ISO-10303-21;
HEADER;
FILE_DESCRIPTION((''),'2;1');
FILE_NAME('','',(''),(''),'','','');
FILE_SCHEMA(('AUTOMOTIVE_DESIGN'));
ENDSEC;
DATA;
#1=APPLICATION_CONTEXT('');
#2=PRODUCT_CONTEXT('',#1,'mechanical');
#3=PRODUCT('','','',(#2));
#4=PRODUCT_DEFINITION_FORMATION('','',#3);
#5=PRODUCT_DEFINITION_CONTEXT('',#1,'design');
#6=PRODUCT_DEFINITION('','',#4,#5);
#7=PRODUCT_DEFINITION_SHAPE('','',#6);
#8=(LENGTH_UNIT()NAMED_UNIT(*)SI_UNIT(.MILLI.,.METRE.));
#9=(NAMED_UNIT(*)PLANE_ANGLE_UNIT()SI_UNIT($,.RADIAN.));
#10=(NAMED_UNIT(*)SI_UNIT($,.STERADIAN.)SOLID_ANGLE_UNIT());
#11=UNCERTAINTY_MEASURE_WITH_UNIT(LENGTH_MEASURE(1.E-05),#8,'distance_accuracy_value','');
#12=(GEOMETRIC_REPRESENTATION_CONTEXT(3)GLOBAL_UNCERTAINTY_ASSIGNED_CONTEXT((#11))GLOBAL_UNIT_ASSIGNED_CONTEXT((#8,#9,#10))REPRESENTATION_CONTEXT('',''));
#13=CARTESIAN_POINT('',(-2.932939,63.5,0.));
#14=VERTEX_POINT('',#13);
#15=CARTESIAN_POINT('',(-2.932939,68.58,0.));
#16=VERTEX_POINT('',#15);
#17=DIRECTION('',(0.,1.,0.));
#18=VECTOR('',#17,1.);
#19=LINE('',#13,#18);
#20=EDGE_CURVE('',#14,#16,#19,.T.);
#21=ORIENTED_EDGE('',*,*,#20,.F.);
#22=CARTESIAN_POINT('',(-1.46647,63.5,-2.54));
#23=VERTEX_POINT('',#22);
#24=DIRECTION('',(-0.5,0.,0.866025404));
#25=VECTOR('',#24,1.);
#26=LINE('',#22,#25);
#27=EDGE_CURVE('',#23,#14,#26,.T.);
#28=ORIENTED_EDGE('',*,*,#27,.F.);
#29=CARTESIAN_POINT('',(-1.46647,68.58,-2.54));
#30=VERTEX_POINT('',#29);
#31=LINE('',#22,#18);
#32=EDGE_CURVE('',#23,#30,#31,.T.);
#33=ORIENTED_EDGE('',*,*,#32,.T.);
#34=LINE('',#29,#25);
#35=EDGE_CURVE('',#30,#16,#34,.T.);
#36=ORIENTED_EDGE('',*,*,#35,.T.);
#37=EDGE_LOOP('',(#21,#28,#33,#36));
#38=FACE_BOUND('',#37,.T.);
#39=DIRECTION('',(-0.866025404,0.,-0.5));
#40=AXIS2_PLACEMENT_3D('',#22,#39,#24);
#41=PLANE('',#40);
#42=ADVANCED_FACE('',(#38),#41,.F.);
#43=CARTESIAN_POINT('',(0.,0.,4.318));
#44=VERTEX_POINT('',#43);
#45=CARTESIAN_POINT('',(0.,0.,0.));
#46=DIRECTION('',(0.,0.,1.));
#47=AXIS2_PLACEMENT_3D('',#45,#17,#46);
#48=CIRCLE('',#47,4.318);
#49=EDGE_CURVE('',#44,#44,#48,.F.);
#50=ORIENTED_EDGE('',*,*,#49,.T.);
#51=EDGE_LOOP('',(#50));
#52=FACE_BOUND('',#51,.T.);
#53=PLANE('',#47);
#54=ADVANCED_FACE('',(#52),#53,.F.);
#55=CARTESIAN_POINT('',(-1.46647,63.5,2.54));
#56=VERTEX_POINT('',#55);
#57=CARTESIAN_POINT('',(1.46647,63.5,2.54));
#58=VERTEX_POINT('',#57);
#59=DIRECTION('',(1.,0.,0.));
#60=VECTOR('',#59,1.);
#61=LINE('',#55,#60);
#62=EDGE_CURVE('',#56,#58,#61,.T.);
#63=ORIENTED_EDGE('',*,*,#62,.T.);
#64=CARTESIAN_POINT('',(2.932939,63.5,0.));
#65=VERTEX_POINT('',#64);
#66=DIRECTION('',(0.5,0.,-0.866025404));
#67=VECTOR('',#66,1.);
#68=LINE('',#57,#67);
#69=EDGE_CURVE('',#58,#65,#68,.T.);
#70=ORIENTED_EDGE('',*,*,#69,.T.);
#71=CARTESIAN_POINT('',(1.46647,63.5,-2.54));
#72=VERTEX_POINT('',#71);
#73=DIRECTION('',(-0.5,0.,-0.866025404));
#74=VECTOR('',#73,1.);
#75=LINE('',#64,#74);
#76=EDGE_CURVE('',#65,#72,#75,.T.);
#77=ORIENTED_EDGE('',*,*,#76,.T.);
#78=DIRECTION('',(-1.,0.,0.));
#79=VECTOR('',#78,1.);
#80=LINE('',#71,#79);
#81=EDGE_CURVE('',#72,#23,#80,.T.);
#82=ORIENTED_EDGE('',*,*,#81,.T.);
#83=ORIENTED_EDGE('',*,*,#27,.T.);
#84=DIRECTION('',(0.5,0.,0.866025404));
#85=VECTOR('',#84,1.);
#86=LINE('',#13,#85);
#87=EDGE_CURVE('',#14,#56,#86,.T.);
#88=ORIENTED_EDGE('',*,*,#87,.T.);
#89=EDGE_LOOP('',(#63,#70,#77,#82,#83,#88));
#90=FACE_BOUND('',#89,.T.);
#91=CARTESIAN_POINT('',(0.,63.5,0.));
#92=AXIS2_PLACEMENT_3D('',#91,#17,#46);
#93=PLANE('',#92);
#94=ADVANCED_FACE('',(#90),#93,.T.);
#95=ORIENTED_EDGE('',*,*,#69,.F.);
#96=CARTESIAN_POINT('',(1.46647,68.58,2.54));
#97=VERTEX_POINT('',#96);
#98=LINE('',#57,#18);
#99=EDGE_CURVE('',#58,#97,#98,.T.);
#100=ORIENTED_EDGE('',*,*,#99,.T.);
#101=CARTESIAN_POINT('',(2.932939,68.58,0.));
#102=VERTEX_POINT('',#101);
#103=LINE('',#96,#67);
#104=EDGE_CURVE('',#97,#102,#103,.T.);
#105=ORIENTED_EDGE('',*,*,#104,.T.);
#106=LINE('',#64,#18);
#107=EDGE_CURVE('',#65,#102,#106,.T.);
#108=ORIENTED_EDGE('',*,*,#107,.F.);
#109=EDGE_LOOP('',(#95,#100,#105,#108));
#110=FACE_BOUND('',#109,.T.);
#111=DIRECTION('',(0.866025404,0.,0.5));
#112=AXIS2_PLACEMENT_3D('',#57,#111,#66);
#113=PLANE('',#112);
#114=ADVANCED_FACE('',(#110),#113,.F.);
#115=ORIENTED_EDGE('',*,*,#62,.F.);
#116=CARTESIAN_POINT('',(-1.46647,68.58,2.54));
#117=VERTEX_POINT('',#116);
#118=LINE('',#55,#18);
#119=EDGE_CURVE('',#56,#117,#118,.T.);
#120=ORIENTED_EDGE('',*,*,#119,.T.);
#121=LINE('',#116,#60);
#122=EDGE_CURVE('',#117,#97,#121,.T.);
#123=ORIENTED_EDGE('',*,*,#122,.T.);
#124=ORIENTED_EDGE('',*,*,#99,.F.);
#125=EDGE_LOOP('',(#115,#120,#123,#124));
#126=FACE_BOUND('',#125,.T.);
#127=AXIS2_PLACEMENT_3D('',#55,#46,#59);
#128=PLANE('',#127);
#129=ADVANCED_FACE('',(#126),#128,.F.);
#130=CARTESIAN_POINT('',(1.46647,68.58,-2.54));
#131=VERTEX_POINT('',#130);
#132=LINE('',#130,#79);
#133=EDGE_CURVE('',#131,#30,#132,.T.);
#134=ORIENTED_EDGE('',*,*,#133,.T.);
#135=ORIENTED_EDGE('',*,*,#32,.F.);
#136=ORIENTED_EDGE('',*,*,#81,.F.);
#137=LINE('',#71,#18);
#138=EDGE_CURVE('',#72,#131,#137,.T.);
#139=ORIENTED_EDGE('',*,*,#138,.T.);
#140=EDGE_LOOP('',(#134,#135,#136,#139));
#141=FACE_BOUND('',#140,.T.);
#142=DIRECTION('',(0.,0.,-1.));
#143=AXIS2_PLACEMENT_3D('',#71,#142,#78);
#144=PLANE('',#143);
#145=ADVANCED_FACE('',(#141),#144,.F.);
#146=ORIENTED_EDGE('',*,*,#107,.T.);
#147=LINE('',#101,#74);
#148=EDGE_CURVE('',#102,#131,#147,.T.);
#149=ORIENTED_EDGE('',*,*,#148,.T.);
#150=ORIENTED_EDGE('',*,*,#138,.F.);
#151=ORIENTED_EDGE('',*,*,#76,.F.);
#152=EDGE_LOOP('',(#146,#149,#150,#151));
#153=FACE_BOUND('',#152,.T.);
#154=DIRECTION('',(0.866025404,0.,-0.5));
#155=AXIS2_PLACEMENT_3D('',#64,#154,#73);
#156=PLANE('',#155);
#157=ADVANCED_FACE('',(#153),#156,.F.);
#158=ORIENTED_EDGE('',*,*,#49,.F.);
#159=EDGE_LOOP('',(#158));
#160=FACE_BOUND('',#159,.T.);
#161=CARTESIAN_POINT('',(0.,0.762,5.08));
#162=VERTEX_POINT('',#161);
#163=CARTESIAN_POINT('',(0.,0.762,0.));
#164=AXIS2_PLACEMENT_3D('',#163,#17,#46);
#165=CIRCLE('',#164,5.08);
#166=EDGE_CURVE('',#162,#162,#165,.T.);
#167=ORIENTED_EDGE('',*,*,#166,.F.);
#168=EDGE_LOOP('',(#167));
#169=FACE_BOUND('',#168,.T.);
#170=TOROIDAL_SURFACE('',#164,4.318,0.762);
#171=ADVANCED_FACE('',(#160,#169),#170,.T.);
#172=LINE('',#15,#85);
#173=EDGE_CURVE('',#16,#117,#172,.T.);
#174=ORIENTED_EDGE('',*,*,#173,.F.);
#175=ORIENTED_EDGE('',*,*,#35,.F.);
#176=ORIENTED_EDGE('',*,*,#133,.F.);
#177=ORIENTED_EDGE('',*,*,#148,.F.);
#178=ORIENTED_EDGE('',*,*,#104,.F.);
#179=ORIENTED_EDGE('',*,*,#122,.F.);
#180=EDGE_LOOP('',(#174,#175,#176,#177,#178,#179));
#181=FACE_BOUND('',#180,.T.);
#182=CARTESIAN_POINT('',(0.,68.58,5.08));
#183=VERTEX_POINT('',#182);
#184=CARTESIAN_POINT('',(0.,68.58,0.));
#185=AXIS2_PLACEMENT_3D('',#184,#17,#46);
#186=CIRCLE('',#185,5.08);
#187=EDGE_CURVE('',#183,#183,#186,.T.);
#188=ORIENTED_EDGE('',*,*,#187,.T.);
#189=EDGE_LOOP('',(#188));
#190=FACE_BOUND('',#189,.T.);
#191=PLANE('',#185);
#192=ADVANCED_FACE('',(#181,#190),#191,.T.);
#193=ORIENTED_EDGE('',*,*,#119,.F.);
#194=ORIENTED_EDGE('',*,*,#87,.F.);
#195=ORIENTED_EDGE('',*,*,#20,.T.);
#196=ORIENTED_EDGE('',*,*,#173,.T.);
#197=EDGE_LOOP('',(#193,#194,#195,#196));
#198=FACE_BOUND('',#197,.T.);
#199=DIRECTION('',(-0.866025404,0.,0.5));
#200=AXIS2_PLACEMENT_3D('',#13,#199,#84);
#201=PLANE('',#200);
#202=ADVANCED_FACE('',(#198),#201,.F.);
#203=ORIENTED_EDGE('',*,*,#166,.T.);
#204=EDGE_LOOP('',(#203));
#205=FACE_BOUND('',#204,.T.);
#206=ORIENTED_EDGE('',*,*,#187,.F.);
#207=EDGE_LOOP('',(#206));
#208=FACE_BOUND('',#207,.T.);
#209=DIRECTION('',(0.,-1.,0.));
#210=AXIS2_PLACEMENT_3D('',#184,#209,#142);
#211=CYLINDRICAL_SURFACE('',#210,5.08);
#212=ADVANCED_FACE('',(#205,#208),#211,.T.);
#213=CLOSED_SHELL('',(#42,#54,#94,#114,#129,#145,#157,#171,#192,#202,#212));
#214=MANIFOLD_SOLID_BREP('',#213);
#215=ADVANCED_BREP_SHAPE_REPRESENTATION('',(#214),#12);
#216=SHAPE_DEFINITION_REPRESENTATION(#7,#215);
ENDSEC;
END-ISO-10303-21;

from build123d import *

# Parameters (mm, degrees)
SKETCH1_R           = 5.08
BOSS_EXTRUDE1_DEPTH = 68.58
CUT_EXTRUDE1_DEPTH  = 5.08
FILLET1_R           = 0.762


with BuildPart() as part:
    # Sketch1 → Boss-Extrude1 (new body)
    with BuildSketch(Plane(origin=(0, 0, 0), x_dir=(1, 0, 0), z_dir=(0, 1, 0))):
        with Locations(Location((0, 0, 0), (0, 0, 270))):
            Circle(SKETCH1_R)
    extrude(amount=BOSS_EXTRUDE1_DEPTH)

    # Sketch2 → Cut-Extrude1 (cut)
    with BuildSketch(Plane(origin=(0, 68.58, 0), x_dir=(1, 0, 0), z_dir=(0, 1, 0))):
        Polygon((-1.466469684, -2.54), (1.466469684, -2.54), (2.932939367, 0), (1.466469684, 2.54), (-1.466469684, 2.54), (-2.932939367, 0), align=None)
    extrude(amount=-CUT_EXTRUDE1_DEPTH, mode=Mode.SUBTRACT)

    # Fillet1
    fillet1_edges = [part.edges().sort_by_distance(p)[0] for p in [
        (0, 0, -5.08),
    ]]
    fillet(fillet1_edges, radius=FILLET1_R)


solid = part.part
